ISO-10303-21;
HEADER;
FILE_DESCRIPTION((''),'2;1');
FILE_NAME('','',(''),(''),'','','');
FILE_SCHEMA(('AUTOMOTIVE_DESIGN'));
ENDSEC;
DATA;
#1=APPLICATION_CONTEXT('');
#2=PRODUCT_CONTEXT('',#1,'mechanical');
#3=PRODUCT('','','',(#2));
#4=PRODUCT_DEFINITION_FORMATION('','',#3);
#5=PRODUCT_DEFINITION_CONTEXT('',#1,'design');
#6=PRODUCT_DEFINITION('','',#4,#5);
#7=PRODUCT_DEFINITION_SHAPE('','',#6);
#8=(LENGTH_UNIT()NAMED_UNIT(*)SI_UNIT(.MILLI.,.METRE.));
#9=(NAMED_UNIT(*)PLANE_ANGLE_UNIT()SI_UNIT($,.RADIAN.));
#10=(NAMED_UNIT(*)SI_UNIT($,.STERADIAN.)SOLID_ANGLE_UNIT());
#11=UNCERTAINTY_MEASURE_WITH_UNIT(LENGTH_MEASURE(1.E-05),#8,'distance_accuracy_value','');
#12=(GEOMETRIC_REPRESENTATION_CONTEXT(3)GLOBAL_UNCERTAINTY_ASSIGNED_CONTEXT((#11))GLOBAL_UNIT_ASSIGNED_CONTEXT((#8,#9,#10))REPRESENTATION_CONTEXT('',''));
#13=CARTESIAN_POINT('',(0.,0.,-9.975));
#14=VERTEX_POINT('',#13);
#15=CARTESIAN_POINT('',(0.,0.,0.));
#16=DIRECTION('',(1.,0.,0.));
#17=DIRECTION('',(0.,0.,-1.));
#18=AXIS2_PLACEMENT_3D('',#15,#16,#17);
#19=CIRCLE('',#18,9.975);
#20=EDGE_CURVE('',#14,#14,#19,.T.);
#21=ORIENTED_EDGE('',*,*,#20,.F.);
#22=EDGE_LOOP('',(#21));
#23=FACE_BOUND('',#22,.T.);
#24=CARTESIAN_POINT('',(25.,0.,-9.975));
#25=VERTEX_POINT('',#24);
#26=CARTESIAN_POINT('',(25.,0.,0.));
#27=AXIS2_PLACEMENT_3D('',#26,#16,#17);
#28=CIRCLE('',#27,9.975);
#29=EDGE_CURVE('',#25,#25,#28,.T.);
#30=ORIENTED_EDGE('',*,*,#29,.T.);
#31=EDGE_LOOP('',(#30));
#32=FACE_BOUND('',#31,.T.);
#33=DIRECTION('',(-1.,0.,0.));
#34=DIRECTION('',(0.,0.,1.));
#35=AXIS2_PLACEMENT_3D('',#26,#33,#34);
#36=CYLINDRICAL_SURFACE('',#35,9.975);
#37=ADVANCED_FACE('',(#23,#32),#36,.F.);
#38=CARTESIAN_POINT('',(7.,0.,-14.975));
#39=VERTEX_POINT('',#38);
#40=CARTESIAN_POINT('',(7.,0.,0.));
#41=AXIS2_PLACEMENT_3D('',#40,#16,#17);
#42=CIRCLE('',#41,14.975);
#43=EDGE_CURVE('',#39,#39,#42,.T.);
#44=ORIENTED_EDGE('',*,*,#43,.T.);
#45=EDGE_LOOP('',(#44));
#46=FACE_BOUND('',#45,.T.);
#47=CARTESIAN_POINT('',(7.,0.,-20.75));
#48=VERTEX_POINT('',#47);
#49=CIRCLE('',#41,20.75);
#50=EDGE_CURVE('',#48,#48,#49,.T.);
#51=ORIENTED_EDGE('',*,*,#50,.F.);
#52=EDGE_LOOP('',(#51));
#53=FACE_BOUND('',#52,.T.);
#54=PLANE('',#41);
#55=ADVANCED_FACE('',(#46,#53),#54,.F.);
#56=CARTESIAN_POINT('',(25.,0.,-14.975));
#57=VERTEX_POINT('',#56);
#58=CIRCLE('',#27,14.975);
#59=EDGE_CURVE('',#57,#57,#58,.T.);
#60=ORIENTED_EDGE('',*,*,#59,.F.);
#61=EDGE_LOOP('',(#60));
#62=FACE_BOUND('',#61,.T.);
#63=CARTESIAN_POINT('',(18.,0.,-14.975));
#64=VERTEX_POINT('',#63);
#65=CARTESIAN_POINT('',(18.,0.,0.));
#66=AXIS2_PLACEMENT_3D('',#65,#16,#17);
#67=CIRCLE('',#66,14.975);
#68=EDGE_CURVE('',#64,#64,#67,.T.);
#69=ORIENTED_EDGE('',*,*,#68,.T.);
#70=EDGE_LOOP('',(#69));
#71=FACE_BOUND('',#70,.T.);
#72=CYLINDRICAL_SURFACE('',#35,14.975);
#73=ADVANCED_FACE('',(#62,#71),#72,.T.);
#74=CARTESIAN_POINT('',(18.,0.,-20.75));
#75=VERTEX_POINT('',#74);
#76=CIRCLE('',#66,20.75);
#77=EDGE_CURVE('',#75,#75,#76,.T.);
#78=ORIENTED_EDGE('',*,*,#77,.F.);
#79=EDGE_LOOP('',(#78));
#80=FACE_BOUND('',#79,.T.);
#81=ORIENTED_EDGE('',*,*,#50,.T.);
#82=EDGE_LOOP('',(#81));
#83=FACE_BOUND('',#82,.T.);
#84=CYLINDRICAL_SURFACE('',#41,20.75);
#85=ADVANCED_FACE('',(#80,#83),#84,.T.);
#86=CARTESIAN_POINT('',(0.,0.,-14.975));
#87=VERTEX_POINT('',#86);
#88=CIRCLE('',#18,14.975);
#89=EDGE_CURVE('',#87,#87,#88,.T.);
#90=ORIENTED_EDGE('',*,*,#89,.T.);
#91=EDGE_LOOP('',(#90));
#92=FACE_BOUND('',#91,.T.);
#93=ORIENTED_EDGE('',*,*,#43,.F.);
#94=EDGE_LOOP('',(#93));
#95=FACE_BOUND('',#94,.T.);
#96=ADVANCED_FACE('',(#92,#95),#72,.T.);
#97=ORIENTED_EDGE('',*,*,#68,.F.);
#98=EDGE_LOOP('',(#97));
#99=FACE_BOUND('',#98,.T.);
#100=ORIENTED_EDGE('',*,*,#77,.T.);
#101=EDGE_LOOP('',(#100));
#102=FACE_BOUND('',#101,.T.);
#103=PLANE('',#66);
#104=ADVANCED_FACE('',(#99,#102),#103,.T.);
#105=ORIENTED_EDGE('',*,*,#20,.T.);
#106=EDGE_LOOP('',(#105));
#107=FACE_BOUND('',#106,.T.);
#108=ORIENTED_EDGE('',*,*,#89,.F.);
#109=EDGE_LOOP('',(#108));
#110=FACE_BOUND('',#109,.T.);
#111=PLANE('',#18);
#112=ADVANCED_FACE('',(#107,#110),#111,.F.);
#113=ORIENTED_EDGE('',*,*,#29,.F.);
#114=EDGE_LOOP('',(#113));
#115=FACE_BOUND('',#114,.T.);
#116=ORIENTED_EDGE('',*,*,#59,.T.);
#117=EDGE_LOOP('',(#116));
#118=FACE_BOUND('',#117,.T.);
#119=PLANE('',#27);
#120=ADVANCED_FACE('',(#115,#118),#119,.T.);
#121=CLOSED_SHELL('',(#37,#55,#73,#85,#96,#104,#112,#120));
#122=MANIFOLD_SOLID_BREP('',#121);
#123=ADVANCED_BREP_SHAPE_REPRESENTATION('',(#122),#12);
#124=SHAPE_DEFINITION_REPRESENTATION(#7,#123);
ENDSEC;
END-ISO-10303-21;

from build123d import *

# Parameters (mm, degrees)
SKETCH1_R                = 14.975
SKETCH1_R_2              = 9.975
BOSS_EXTRUDE1_DEPTH      = 25
BOSS_EXTRUDE2_DEPTH      = 5.5
BOSS_EXTRUDE2_DEPTH_BACK = 5.5
SKETCH2_R                = 20.75
SKETCH2_R_2              = 9.975


with BuildPart() as part:
    # Sketch1 → Boss-Extrude1 (new body)
    with BuildSketch(Plane(origin=(0, 0, 0), x_dir=(0, 0, -1), z_dir=(1, 0, 0))):
        Circle(SKETCH1_R)
        Circle(SKETCH1_R_2, mode=Mode.SUBTRACT)
    extrude(amount=BOSS_EXTRUDE1_DEPTH)

    # Sketch2 → Boss-Extrude2 (add, two sides: drawn at the far end of the back side and taken through both)
    with BuildSketch(Plane(origin=(12.5, 0, 0), x_dir=(0, 0, -1), z_dir=(1, 0, 0)).offset(-BOSS_EXTRUDE2_DEPTH_BACK)):
        Circle(SKETCH2_R)
        Circle(SKETCH2_R_2, mode=Mode.SUBTRACT)
    extrude(amount=BOSS_EXTRUDE2_DEPTH + BOSS_EXTRUDE2_DEPTH_BACK)


solid = part.part
